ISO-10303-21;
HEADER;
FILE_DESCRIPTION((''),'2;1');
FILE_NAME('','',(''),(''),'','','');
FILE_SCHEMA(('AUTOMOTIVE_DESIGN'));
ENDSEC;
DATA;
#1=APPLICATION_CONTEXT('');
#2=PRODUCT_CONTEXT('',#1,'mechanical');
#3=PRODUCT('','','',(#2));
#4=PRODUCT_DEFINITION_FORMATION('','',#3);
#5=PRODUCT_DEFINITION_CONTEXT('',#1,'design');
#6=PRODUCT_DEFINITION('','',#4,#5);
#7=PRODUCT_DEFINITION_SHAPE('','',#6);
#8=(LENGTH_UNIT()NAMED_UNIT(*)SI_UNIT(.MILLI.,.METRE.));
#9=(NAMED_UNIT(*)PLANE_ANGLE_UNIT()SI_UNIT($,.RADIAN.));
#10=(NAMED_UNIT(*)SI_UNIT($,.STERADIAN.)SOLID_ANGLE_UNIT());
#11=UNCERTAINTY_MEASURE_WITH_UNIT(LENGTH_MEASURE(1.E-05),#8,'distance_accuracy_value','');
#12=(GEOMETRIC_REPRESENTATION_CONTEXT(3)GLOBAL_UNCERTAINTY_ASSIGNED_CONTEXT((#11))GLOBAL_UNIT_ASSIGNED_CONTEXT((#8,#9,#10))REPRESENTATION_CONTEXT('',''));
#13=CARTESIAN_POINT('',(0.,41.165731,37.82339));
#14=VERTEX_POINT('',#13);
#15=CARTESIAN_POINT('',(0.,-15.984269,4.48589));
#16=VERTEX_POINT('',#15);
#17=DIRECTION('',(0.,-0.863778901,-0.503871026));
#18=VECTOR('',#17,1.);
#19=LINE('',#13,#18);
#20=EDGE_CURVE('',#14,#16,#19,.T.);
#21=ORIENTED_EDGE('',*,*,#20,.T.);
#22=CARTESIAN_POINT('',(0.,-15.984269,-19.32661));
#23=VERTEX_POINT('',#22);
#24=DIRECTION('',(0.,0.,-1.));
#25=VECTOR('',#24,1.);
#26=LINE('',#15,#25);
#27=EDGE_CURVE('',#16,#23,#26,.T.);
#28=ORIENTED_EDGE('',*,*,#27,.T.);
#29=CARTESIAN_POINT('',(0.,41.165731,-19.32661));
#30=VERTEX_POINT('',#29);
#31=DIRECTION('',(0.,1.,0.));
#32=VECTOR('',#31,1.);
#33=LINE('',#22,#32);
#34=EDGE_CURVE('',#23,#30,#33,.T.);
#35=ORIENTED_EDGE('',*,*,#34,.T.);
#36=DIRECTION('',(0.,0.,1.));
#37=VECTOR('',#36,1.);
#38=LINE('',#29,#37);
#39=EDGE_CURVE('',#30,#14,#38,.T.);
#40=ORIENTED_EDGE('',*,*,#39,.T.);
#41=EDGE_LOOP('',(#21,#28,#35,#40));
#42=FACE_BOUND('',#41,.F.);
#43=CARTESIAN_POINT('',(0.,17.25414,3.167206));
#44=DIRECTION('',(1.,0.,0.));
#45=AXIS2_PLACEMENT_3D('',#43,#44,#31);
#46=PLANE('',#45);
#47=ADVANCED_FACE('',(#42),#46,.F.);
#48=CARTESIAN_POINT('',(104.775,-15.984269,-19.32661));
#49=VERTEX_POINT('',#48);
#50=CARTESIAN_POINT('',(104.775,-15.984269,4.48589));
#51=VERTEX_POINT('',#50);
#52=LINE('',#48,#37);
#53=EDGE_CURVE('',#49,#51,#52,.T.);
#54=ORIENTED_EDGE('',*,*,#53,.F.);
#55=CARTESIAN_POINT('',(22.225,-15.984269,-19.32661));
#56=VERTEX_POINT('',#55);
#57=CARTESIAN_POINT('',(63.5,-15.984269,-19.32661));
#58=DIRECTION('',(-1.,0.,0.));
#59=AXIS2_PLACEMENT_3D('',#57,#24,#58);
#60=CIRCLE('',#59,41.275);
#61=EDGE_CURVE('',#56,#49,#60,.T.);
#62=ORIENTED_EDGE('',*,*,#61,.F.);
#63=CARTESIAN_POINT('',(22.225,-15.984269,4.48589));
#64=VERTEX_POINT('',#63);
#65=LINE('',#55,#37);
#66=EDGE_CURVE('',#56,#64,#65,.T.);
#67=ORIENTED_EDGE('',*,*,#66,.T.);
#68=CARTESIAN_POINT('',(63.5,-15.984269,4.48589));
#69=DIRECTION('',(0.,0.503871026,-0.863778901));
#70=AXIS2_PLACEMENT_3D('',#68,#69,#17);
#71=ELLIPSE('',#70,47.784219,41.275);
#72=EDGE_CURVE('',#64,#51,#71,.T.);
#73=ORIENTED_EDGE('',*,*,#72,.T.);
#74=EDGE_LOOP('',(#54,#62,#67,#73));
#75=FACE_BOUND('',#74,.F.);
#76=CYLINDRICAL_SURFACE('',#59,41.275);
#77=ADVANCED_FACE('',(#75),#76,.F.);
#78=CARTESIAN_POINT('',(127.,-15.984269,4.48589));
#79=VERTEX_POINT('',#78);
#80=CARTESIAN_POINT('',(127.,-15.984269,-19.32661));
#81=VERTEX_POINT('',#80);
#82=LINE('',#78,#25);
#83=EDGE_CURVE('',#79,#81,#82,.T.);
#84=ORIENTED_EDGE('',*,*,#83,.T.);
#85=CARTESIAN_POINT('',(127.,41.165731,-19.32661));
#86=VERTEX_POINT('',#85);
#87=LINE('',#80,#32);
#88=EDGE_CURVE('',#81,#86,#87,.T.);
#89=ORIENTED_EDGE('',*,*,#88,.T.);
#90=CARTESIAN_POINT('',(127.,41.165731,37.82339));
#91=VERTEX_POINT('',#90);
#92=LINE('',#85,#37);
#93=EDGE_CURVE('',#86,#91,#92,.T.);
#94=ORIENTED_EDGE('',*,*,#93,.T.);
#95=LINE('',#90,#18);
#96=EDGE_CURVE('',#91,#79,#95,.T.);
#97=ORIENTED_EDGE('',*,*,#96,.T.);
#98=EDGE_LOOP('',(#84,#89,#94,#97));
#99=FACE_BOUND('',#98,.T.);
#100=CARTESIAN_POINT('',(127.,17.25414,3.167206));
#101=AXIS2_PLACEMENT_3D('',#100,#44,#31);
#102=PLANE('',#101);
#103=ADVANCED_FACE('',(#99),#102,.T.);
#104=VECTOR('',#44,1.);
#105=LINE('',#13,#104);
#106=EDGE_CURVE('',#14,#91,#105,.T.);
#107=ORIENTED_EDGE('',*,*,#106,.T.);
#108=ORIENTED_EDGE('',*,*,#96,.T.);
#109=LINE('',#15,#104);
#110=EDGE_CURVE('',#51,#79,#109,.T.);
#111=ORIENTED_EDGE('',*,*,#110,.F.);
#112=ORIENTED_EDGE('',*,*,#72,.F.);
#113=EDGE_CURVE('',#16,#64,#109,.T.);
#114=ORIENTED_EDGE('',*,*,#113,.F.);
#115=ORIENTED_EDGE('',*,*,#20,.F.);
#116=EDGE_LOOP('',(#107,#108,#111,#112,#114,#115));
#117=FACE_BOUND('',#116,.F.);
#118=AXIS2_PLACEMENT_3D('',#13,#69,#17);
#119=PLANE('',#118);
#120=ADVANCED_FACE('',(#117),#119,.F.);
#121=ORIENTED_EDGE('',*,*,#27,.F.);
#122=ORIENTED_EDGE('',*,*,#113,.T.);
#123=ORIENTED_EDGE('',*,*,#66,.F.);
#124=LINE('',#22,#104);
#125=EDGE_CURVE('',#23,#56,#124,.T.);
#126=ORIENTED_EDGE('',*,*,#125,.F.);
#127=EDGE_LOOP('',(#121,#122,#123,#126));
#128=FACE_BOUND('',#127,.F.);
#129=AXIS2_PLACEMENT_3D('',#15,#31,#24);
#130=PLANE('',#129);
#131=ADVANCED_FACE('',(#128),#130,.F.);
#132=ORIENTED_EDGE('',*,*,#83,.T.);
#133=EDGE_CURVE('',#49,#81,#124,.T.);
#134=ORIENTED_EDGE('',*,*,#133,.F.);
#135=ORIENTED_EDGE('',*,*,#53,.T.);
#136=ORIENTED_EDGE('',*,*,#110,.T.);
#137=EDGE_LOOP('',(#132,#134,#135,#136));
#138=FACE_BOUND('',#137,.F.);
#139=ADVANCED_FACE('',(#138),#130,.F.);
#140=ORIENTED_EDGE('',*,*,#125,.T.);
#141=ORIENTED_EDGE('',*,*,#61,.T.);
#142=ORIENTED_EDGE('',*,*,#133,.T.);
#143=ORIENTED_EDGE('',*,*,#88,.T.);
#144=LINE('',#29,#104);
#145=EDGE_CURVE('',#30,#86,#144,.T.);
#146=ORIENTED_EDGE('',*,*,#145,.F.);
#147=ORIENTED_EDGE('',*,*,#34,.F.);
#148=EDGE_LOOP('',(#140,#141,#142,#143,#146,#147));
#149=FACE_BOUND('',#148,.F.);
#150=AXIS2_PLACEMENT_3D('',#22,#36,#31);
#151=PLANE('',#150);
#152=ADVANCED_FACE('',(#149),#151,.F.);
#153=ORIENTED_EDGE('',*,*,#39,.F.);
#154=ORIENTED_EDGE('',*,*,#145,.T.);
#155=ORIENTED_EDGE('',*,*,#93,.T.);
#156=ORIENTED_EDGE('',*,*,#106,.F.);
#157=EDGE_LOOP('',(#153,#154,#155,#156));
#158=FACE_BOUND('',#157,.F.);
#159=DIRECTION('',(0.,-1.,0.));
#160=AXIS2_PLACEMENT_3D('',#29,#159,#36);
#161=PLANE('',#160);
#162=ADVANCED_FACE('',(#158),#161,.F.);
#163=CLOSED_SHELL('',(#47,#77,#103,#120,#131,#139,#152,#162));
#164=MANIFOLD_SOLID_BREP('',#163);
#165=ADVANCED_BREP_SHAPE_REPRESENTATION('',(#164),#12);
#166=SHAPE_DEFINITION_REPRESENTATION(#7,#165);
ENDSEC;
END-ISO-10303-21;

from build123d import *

# Parameters (mm, degrees)
F1_DEPTH = 127
F3_DEPTH = 127


with BuildPart() as f1:
    # F0 (on Right) → F1 (new body)
    with BuildSketch(Plane.YZ):
        Polygon((41.165731, 37.82339), (-15.984269, 4.48589), (-15.984269, -19.32661), (41.165731, -19.32661), align=None)
    extrude(amount=F1_DEPTH)

    # F2 (on face) → F3 (cut)
    with BuildSketch(Plane(origin=(0, 0, -19.32661), x_dir=(1, 0, 0), z_dir=(0, 0, -1))):
        with BuildLine():
            Line((104.775, 15.984269), (22.225, 15.984269))
            ThreePointArc((22.225, 15.984269), (63.5, -25.290731), (104.775, 15.984269))
        make_face()
    extrude(amount=-F3_DEPTH, mode=Mode.SUBTRACT)


solid = f1.part
